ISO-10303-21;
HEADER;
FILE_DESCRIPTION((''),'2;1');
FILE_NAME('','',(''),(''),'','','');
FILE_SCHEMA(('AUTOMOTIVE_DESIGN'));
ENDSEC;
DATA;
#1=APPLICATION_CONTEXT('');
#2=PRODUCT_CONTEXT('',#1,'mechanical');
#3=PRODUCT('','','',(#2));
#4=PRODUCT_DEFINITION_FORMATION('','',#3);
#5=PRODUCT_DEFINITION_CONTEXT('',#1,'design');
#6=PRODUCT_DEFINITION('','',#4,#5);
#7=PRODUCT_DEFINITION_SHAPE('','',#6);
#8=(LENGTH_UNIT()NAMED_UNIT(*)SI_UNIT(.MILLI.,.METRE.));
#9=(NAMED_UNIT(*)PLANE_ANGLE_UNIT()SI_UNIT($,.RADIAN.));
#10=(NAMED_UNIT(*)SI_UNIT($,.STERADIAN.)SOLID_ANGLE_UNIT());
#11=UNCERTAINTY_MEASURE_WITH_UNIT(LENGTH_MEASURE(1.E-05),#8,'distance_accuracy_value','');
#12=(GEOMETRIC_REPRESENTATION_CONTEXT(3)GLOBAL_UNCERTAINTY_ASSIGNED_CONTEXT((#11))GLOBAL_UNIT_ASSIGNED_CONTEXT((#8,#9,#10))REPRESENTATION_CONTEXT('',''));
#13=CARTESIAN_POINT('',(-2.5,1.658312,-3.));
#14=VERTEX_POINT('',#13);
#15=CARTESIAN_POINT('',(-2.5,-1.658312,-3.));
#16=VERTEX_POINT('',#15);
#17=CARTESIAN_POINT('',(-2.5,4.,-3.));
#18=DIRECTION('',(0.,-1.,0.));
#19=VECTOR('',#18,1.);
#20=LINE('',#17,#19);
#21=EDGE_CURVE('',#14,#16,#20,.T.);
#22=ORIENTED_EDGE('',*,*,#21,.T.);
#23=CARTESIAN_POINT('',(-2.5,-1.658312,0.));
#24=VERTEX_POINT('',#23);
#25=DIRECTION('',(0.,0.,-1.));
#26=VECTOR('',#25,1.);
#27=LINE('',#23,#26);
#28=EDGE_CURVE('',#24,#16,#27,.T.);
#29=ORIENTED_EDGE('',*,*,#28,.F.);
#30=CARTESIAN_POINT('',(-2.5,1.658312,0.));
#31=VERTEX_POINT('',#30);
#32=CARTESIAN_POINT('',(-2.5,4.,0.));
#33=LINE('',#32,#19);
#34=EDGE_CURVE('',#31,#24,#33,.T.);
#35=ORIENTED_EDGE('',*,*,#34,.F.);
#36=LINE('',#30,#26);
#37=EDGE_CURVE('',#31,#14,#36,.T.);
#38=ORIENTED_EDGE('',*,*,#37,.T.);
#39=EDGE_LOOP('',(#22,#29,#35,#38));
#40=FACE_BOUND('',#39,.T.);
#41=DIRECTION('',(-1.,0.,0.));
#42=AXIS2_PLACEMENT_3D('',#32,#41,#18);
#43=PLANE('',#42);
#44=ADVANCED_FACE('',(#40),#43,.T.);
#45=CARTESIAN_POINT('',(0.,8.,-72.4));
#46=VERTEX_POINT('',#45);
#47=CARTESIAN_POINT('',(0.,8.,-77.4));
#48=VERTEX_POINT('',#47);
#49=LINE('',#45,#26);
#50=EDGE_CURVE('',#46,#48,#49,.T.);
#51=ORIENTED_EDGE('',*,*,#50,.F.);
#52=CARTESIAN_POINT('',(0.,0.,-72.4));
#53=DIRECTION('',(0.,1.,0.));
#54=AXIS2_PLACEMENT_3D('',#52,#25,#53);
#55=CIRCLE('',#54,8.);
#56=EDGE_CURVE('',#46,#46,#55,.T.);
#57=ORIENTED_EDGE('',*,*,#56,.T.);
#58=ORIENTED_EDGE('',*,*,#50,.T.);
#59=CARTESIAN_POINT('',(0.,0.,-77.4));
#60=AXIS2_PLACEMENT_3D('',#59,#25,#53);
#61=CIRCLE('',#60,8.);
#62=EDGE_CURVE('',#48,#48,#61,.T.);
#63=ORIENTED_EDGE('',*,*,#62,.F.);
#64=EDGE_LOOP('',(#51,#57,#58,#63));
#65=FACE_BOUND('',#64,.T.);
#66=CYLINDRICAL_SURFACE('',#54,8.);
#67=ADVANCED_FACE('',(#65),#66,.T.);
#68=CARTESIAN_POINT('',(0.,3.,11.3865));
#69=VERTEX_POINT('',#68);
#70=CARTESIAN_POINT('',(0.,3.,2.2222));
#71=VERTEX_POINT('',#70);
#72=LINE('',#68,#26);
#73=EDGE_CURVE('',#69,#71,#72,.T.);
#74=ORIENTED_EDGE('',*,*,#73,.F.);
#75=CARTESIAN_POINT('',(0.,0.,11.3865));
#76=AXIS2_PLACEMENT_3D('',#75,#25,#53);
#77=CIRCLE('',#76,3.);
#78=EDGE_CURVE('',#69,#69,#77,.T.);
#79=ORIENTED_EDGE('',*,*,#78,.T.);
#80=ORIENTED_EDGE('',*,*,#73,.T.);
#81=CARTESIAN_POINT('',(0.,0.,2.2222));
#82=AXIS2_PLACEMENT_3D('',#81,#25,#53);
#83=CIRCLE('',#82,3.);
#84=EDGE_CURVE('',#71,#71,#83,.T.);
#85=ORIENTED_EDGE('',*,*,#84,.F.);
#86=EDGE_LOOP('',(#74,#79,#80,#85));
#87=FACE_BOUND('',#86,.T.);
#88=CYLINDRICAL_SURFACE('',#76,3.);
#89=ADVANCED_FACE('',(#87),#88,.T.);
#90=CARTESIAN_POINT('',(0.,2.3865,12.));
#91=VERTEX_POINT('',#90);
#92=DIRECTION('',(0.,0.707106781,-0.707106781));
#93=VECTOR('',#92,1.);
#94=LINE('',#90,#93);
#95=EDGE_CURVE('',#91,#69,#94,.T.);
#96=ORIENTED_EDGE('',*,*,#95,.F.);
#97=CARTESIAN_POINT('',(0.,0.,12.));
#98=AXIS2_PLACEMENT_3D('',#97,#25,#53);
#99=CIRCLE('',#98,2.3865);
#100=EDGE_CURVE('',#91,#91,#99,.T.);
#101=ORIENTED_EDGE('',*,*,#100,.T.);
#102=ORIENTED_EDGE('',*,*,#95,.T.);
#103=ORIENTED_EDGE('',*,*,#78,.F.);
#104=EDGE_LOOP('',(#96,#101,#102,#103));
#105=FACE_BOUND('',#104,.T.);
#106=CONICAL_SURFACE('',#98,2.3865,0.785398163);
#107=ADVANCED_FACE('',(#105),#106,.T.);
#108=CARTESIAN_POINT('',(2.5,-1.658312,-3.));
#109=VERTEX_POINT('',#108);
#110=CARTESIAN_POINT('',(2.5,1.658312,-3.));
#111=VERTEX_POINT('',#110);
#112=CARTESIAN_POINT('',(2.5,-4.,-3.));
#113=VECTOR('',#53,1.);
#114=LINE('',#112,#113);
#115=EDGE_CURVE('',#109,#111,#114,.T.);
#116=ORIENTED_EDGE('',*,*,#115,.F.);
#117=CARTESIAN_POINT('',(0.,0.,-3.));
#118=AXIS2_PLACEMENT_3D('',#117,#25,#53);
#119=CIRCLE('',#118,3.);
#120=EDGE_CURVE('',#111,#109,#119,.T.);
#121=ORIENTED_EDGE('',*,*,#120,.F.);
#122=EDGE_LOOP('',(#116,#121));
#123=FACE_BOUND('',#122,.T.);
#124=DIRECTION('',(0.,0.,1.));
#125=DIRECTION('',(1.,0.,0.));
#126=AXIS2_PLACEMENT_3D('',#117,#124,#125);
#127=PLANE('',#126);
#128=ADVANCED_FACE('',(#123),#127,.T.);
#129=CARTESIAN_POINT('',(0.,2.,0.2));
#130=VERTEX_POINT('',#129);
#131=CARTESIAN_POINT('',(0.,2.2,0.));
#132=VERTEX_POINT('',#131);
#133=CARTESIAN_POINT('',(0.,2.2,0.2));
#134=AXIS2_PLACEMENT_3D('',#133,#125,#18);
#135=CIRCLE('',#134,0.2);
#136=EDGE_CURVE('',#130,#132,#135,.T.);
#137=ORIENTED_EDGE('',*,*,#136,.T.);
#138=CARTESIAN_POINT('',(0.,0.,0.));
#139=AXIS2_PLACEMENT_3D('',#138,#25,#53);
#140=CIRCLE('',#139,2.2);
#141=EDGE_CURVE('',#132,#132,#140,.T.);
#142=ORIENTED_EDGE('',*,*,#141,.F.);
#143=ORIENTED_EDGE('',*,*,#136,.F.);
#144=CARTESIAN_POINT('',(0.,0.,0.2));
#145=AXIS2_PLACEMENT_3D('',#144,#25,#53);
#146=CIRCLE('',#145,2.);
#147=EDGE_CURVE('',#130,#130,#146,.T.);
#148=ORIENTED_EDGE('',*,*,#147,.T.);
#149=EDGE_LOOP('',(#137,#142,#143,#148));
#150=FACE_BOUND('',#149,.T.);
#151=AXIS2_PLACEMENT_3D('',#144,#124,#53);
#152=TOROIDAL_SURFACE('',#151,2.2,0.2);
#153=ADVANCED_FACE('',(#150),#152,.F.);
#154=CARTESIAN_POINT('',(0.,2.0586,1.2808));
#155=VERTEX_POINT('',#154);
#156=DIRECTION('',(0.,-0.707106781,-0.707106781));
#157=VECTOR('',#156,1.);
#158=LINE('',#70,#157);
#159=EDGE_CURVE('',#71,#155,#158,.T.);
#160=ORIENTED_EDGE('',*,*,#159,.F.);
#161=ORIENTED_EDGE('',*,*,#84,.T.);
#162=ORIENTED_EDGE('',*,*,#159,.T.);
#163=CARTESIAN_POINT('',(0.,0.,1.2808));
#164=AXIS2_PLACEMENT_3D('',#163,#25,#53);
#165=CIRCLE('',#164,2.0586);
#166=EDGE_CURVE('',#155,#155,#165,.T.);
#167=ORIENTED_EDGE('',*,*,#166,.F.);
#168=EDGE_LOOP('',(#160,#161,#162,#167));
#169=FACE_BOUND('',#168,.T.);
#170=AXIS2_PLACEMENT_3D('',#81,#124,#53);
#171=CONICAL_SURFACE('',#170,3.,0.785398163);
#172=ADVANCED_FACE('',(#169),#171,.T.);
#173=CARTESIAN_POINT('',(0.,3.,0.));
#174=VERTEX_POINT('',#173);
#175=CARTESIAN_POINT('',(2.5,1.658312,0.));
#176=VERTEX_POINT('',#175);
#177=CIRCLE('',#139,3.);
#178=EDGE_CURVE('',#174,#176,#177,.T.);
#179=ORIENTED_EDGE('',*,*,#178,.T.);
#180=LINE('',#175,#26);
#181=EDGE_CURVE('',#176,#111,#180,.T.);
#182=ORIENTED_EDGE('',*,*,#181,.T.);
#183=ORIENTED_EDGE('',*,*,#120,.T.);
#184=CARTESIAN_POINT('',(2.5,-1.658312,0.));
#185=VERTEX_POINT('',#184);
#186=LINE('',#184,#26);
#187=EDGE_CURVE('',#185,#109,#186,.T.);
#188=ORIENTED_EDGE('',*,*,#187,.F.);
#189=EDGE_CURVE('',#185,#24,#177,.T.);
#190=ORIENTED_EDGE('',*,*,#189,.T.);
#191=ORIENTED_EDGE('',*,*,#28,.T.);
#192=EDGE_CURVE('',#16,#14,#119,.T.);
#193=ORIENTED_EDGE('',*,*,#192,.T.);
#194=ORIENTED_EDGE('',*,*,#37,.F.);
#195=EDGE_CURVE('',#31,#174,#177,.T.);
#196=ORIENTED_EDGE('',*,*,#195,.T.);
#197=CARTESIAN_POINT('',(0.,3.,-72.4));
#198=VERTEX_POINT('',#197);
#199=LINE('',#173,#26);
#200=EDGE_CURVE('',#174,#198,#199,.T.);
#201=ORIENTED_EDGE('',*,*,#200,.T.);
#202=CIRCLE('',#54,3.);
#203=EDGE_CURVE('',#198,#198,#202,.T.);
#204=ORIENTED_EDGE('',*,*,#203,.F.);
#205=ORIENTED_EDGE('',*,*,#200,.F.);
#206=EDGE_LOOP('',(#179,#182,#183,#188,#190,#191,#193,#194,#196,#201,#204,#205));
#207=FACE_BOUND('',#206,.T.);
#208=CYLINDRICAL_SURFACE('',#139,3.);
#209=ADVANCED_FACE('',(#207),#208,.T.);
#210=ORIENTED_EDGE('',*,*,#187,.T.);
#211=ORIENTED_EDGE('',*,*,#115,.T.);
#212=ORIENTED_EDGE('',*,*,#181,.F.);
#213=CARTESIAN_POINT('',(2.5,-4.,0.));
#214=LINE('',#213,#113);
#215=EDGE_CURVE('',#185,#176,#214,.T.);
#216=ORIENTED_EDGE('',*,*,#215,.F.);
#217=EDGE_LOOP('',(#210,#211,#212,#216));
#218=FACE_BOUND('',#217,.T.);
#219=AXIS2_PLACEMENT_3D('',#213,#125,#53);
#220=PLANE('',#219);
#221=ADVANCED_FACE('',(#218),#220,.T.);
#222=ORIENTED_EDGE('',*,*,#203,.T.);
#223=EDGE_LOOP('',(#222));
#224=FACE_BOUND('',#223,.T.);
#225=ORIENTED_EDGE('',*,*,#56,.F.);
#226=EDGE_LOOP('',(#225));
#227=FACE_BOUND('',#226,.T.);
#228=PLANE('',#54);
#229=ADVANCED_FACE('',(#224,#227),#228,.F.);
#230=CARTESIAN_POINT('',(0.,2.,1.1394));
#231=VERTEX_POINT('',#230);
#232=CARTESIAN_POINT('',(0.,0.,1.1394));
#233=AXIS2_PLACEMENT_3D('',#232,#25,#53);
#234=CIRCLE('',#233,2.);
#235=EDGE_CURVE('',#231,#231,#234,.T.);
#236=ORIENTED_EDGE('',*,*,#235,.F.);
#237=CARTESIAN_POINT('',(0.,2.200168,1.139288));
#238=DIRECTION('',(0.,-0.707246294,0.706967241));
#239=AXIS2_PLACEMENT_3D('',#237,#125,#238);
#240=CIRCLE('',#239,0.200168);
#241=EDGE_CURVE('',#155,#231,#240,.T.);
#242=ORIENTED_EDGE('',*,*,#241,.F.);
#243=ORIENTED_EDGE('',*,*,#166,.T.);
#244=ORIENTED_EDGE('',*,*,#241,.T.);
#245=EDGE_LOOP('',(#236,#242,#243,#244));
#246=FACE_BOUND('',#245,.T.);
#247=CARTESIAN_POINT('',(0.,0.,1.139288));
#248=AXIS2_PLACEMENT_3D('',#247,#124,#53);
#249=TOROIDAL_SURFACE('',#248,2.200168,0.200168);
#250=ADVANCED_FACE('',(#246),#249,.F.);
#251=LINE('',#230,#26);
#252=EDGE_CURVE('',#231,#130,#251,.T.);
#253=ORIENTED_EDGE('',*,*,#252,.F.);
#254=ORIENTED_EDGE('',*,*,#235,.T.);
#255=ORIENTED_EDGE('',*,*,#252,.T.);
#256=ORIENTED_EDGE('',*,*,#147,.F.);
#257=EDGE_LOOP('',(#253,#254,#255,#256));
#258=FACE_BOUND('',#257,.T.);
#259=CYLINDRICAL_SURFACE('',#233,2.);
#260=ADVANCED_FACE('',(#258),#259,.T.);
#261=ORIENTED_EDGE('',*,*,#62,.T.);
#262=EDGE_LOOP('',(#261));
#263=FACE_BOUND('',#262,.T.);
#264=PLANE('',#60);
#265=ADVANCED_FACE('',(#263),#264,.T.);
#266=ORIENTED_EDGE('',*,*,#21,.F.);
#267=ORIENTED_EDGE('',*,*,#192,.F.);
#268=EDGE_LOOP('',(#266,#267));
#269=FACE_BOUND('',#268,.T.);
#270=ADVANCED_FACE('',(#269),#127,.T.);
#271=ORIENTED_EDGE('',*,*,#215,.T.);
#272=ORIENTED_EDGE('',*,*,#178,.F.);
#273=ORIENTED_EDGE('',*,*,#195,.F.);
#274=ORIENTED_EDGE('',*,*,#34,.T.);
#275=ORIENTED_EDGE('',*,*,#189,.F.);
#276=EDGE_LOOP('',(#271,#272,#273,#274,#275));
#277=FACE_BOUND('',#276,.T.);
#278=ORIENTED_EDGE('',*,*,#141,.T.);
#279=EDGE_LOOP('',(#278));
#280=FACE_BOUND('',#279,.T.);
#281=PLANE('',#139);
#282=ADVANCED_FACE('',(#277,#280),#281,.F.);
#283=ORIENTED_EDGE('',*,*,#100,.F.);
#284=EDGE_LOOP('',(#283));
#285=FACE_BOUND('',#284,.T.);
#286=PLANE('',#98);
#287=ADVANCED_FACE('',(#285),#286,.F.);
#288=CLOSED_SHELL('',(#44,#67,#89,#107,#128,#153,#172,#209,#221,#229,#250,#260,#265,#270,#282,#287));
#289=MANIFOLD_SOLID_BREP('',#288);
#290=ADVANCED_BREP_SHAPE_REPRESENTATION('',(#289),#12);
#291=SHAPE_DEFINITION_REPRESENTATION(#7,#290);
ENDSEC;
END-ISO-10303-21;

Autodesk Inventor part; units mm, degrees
sketch "Sketch_1" plane through (0, 0, 0) normal (1, 0, 0) x (0, 1, 0)
  line L0 (0, -77.4) -> (0, 0)
  line L1 (0, 0) -> (3, 0)
  line L2 (3, 0) -> (3, -72.4)
  line L3 (3, -72.4) -> (8, -72.4)
  line L4 (8, -72.4) -> (8, -77.4)
  line L5 (8, -77.4) -> (0, -77.4)
  line L6 (0, -77.4) -> (0, 0)
revolve "Revolution1" add sketch "Sketch_1" angle 360 about axis through (0, 0, -77.4) along (0, 0, -1)
sketch "Sketch_2" plane through (0, 0, 0) normal (1, 0, 0) x (0, 1, 0)
  line L0 (0, 0) -> (0, 12)
  line L1 (0, 12) -> (2.3865, 12)
  line L2 (2.3865, 12) -> (3, 11.3865)
  line L3 (3, 11.3865) -> (3, 2.2222)
  line L4 (3, 2.2222) -> (2.0586, 1.2808)
  arc A0 (2.0586, 1.2808) -> (2, 1.1394) centre (2.2, 1.1394) ccw
  line L5 (2, 1.1394) -> (2, 0.2)
  arc A1 (2, 0.2) -> (2.2, 0) centre (2.2, 0.2) ccw
  line L6 (2.2, 0) -> (0, 0)
  line L7 (0, 0) -> (0, 12)
revolve "Revolution2" add sketch "Sketch_2" angle 360 about axis through (0, 0, 0) along (0, 0, -1)
thread "Thread1" size "M6x1" class "6g" standard "ISO Metric profile" full length
sketch "Sketch_8" plane through (0, 0, 0) normal (0, 0, 1) x (1, 0, 0)
  line L0 (-4.5, 5) -> (-4.5, -5)
  line L1 (-4.5, -5) -> (4.5, -5)
  line L2 (4.5, -5) -> (4.5, 5)
  line L3 (4.5, 5) -> (-4.5, 5)
  line L4 (-2.5, -4) -> (2.5, -4)
  line L5 (2.5, -4) -> (2.5, 4)
  line L6 (2.5, 4) -> (-2.5, 4)
  line L7 (-2.5, 4) -> (-2.5, -4)
extrude "Extrusion1" cut sketch "Sketch_8" against normal blind 3
ref_plane "CP1_XY" through (0, 0, -77.4) normal (0, 0, -1) x (1, 0, 0)
ref_plane "CP1_YZ" through (0, 0, -77.4) normal (1, 0, 0) x (0, -1, 0)
ref_plane "CP1_ZX" through (0, 0, -77.4) normal (0, -1, 0) x (0, 0, -1)
ref_plane "CP_P_XY" through (0, 0, -77.4) normal (0, 0, 1) x (1, 0, 0)
ref_plane "CP_P_YZ" through (0, 0, -77.4) normal (1, 0, 0) x (0, 1, 0)
ref_plane "CP_P_ZX" through (0, 0, -77.4) normal (0, 1, 0) x (0, 0, 1)
ref_plane "CP_PL_XY" through (0, 0, -3) normal (0, 0, 1) x (1, 0, 0)
ref_plane "CP_PL_YZ" through (0, 0, -3) normal (1, 0, 0) x (0, 1, 0)
ref_plane "CP_PL_ZX" through (0, 0, -3) normal (0, 1, 0) x (0, 0, 1)
ref_plane "DIM_ZM_XY" through (0, 3, -150) normal (1, 0, 0) x (0, 0, -1)
ref_plane "DIM_ZM_YZ" through (0, 3, -150) normal (0, 0, -1) x (0, 1, 0)
ref_plane "DIM_ZM_ZX" through (0, 3, -150) normal (0, 1, 0) x (1, 0, 0)
ref_plane "DISC_XY" through (0, 0, 5) normal (0, 0, -1) x (1, 0, 0)
ref_plane "DISC_YZ" through (0, 0, 5) normal (1, 0, 0) x (0, -1, 0)
ref_plane "DISC_ZX" through (0, 0, 5) normal (0, -1, 0) x (0, 0, -1)
ref_plane "NUT_6_10_T_1_XY" through (0, 0, -161) normal (0, 0, 1) x (1, 0, 0)
ref_plane "NUT_6_10_T_1_YZ" through (0, 0, -161) normal (1, 0, 0) x (0, 1, 0)
ref_plane "NUT_6_10_T_1_ZX" through (0, 0, -161) normal (0, 1, 0) x (0, 0, 1)
ref_plane "NUT_6_10_T_2_XY" through (0, 0, -158.8) normal (0, 0, 1) x (1, 0, 0)
ref_plane "NUT_6_10_T_2_YZ" through (0, 0, -158.8) normal (1, 0, 0) x (0, 1, 0)
ref_plane "NUT_6_10_T_2_ZX" through (0, 0, -158.8) normal (0, 1, 0) x (0, 0, 1)
ref_plane "NUT_CP_6_10_1_XY" through (0, 0, 10) normal (0, 0, 1) x (1, 0, 0)
ref_plane "NUT_CP_6_10_1_YZ" through (0, 0, 10) normal (1, 0, 0) x (0, 1, 0)
ref_plane "NUT_CP_6_10_1_ZX" through (0, 0, 10) normal (0, 1, 0) x (0, 0, 1)
ref_plane "NUT_CP_6_10_2_XY" through (0, 0, 7.8) normal (0, 0, 1) x (1, 0, 0)
ref_plane "NUT_CP_6_10_2_YZ" through (0, 0, 7.8) normal (1, 0, 0) x (0, 1, 0)
ref_plane "NUT_CP_6_10_2_ZX" through (0, 0, 7.8) normal (0, 1, 0) x (0, 0, 1)
properties part number "4186566 DPDM-50---(r)" material "Stainless Steel"
